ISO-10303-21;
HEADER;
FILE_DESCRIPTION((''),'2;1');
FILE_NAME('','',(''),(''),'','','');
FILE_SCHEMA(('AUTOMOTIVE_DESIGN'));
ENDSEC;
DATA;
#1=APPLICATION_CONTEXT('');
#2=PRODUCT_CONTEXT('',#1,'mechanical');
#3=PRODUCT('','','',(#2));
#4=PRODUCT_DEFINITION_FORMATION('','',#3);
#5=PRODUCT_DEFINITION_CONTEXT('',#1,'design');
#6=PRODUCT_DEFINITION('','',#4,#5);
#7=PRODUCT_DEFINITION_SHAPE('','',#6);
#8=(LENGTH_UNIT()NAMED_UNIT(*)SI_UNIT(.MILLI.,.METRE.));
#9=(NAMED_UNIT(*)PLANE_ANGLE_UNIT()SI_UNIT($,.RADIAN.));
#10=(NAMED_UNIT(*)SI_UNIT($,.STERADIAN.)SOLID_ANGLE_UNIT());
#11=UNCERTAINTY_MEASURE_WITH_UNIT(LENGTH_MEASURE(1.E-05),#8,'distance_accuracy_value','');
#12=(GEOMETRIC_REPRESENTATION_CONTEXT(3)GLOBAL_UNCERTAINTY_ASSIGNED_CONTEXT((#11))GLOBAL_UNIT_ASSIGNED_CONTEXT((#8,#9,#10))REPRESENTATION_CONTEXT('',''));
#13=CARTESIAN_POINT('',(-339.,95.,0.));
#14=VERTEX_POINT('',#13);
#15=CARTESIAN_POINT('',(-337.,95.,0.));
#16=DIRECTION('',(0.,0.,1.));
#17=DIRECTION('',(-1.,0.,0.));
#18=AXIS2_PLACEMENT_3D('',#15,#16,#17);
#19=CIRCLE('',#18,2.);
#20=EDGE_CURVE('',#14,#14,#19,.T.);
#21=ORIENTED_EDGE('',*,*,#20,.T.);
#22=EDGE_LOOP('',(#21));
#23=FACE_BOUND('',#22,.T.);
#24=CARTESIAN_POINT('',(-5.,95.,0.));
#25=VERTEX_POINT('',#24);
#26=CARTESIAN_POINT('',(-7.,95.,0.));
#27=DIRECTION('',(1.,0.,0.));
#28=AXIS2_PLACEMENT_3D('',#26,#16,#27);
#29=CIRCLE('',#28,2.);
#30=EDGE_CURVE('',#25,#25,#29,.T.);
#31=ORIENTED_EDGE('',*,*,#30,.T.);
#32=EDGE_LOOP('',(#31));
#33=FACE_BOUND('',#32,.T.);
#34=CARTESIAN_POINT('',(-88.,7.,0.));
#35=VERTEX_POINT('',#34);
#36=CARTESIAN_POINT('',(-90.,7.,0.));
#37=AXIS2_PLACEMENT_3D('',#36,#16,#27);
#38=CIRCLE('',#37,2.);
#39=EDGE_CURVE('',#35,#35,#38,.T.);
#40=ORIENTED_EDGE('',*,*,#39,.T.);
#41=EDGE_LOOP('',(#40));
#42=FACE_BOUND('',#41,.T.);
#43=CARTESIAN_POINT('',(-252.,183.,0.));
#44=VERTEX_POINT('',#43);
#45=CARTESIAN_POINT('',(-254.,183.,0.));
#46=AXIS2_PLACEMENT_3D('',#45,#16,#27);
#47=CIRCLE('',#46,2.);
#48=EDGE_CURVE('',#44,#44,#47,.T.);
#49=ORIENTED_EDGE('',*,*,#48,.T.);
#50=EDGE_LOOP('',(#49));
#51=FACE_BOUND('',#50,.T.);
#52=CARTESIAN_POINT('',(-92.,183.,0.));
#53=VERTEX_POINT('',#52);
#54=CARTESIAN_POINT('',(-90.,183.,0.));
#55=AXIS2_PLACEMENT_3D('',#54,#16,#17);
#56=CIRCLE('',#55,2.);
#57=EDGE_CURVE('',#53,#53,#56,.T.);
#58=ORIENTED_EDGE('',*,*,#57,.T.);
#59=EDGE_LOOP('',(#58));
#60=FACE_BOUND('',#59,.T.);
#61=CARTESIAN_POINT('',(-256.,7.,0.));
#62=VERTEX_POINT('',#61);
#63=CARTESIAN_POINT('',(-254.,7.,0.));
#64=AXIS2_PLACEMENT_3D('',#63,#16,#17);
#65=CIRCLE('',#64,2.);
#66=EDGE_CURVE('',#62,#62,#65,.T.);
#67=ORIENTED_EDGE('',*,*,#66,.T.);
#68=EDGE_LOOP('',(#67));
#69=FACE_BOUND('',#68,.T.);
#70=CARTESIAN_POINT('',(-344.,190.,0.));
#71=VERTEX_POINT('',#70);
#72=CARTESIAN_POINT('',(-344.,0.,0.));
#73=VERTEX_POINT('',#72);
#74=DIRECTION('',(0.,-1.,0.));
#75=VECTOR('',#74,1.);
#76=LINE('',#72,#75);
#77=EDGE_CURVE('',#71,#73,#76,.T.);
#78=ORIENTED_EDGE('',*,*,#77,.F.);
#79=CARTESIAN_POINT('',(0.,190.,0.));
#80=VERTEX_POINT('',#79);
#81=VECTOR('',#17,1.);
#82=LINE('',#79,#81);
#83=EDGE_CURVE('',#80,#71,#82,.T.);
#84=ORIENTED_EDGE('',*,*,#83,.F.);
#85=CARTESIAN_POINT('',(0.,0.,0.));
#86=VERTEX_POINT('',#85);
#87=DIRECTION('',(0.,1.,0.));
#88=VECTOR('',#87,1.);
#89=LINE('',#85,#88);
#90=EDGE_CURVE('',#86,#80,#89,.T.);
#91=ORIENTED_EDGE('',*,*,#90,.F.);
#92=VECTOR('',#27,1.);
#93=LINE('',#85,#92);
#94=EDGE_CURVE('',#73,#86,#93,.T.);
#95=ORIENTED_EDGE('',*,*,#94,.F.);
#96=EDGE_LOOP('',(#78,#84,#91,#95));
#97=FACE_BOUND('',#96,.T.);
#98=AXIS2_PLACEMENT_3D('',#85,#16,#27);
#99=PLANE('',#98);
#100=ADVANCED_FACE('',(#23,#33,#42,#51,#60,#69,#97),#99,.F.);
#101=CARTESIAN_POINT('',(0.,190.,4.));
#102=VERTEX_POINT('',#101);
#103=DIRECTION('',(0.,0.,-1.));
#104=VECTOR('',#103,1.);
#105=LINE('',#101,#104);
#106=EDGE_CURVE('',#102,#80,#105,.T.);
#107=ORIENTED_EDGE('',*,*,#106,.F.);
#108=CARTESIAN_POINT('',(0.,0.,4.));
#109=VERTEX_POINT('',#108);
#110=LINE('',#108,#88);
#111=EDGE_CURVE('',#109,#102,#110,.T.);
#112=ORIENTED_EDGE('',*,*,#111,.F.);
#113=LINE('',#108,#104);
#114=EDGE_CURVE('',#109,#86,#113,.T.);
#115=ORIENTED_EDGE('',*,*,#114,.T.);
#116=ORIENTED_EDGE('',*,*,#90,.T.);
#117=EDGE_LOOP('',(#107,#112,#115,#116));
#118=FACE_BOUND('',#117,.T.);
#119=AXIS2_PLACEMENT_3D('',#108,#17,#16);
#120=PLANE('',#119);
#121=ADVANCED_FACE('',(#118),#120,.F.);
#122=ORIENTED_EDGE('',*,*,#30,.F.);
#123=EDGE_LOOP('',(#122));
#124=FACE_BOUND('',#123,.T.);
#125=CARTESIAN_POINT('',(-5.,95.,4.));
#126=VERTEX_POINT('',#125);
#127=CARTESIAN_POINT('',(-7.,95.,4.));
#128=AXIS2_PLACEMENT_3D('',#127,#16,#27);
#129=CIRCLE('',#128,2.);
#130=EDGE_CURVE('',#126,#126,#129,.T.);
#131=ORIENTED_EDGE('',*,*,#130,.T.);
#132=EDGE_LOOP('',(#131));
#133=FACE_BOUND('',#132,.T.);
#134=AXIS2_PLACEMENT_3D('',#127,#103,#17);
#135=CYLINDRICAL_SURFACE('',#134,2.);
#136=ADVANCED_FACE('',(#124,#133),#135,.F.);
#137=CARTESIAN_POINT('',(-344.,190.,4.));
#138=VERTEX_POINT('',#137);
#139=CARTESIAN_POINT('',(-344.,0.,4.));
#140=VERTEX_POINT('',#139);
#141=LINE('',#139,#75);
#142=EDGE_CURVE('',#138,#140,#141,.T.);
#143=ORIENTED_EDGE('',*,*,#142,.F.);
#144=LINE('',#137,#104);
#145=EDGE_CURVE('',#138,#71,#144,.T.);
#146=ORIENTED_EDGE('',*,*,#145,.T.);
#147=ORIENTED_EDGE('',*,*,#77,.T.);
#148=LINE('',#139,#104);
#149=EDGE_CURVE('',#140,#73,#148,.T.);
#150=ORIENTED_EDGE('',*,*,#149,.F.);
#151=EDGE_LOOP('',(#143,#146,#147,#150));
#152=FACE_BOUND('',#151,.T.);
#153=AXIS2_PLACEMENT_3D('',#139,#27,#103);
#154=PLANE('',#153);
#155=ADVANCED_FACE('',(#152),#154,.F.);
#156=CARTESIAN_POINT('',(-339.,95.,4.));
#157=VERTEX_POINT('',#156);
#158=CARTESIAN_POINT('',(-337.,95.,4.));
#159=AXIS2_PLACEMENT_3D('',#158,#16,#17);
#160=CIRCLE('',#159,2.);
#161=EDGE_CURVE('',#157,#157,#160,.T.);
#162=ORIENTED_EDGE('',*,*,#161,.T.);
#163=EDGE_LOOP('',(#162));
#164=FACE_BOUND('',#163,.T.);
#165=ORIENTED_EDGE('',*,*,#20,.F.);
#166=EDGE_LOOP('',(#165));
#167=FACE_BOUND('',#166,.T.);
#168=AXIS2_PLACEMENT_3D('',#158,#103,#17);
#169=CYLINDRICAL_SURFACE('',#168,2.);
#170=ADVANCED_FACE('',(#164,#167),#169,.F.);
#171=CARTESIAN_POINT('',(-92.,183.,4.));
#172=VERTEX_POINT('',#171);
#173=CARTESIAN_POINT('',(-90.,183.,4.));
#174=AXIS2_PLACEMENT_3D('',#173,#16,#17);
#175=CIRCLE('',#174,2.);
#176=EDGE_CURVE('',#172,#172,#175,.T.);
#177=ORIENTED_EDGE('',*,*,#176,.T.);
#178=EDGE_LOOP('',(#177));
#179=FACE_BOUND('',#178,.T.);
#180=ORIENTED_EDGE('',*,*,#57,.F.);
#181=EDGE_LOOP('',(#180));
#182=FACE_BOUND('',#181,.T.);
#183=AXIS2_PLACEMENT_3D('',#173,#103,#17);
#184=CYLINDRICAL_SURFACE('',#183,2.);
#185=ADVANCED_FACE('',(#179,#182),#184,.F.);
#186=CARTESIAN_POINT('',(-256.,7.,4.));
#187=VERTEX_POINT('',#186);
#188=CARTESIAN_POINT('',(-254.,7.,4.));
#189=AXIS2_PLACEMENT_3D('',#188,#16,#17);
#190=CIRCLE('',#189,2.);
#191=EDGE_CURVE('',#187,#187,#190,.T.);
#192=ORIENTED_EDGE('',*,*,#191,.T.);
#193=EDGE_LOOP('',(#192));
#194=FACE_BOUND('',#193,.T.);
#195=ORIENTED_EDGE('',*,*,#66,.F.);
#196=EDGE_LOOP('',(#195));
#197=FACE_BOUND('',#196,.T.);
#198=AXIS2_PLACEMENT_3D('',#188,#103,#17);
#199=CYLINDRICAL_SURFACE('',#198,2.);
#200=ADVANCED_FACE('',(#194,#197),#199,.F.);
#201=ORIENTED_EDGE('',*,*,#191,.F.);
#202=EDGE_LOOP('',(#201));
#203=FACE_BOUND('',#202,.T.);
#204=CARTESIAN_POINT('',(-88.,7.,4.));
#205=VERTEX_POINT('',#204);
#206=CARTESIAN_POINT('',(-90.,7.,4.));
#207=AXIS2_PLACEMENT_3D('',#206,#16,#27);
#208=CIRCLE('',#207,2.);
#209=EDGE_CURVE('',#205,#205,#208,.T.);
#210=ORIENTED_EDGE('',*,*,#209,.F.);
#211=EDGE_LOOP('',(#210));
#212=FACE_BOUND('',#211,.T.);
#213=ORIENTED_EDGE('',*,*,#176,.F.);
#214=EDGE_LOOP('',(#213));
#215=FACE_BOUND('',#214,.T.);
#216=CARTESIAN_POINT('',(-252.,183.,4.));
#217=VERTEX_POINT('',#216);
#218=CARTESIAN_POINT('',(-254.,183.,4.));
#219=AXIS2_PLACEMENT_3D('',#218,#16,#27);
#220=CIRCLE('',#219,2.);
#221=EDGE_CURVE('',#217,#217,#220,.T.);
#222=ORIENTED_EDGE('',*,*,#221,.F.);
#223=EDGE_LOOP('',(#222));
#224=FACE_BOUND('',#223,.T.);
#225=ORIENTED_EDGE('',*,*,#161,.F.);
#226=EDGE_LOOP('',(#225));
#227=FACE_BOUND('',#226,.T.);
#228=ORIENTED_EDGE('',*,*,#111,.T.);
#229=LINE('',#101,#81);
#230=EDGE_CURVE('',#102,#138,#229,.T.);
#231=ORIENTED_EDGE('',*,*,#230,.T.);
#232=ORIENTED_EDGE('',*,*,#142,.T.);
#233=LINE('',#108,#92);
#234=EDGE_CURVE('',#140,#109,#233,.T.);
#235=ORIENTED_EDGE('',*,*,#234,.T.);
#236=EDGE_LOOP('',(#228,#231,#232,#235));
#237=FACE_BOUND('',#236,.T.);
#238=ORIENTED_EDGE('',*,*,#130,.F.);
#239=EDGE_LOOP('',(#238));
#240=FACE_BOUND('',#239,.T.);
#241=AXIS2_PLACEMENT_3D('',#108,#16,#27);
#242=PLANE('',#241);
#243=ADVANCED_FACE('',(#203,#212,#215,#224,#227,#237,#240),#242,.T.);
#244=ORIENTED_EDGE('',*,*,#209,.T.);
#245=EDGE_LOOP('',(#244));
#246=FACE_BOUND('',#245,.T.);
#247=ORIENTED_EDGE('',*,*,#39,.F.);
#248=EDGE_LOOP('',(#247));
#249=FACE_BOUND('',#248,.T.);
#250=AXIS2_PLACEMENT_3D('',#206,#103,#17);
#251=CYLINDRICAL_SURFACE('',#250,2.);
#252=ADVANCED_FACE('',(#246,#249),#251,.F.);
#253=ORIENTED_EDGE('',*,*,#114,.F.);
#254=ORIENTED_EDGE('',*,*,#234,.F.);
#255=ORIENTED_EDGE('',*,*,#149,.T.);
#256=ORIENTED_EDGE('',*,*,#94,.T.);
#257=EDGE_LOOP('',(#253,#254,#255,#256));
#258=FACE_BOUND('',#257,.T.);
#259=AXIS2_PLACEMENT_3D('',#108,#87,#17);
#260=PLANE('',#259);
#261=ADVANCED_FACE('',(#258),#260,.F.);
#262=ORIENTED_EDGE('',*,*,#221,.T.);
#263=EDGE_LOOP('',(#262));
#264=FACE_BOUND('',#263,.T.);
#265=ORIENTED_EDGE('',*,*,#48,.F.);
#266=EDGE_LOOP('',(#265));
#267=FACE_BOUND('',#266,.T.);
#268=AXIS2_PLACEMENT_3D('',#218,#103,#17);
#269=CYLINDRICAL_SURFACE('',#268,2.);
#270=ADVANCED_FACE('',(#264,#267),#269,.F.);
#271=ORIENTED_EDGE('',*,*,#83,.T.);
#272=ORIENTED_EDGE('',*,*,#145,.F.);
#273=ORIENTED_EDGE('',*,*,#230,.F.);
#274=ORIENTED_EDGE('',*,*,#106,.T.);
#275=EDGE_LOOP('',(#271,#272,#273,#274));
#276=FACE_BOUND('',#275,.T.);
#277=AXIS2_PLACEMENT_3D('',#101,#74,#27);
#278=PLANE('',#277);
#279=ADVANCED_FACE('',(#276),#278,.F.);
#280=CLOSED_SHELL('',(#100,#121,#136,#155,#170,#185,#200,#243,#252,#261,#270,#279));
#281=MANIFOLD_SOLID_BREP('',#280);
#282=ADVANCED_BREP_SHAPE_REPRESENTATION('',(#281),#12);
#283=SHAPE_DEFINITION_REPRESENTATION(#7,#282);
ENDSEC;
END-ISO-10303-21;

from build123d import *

# Parameters (mm, degrees)
SCHIZZO1_W                   = 344
SCHIZZO1_H                   = 190
SCHIZZO1_R                   = 2
ESTRUSIONE_ESTRUSIONE1_DEPTH = 4


with BuildPart() as part:
    # Schizzo1 → Estrusione-Estrusione1 (new body)
    with BuildSketch(Plane.XY):
        with Locations((-172, 95)):
            Rectangle(SCHIZZO1_W, SCHIZZO1_H)
        with Locations(Location((-90, 183, 0), (0, 0, 180))):
            Circle(SCHIZZO1_R, mode=Mode.SUBTRACT)
        with Locations((-7, 95)):
            Circle(SCHIZZO1_R, mode=Mode.SUBTRACT)
        with Locations((-254, 183)):
            Circle(SCHIZZO1_R, mode=Mode.SUBTRACT)
        with Locations(Location((-337, 95, 0), (0, 0, 180))):
            Circle(SCHIZZO1_R, mode=Mode.SUBTRACT)
        with Locations(Location((-254, 7, 0), (0, 0, 180))):
            Circle(SCHIZZO1_R, mode=Mode.SUBTRACT)
        with Locations((-90, 7)):
            Circle(SCHIZZO1_R, mode=Mode.SUBTRACT)
    extrude(amount=ESTRUSIONE_ESTRUSIONE1_DEPTH)


solid = part.part
